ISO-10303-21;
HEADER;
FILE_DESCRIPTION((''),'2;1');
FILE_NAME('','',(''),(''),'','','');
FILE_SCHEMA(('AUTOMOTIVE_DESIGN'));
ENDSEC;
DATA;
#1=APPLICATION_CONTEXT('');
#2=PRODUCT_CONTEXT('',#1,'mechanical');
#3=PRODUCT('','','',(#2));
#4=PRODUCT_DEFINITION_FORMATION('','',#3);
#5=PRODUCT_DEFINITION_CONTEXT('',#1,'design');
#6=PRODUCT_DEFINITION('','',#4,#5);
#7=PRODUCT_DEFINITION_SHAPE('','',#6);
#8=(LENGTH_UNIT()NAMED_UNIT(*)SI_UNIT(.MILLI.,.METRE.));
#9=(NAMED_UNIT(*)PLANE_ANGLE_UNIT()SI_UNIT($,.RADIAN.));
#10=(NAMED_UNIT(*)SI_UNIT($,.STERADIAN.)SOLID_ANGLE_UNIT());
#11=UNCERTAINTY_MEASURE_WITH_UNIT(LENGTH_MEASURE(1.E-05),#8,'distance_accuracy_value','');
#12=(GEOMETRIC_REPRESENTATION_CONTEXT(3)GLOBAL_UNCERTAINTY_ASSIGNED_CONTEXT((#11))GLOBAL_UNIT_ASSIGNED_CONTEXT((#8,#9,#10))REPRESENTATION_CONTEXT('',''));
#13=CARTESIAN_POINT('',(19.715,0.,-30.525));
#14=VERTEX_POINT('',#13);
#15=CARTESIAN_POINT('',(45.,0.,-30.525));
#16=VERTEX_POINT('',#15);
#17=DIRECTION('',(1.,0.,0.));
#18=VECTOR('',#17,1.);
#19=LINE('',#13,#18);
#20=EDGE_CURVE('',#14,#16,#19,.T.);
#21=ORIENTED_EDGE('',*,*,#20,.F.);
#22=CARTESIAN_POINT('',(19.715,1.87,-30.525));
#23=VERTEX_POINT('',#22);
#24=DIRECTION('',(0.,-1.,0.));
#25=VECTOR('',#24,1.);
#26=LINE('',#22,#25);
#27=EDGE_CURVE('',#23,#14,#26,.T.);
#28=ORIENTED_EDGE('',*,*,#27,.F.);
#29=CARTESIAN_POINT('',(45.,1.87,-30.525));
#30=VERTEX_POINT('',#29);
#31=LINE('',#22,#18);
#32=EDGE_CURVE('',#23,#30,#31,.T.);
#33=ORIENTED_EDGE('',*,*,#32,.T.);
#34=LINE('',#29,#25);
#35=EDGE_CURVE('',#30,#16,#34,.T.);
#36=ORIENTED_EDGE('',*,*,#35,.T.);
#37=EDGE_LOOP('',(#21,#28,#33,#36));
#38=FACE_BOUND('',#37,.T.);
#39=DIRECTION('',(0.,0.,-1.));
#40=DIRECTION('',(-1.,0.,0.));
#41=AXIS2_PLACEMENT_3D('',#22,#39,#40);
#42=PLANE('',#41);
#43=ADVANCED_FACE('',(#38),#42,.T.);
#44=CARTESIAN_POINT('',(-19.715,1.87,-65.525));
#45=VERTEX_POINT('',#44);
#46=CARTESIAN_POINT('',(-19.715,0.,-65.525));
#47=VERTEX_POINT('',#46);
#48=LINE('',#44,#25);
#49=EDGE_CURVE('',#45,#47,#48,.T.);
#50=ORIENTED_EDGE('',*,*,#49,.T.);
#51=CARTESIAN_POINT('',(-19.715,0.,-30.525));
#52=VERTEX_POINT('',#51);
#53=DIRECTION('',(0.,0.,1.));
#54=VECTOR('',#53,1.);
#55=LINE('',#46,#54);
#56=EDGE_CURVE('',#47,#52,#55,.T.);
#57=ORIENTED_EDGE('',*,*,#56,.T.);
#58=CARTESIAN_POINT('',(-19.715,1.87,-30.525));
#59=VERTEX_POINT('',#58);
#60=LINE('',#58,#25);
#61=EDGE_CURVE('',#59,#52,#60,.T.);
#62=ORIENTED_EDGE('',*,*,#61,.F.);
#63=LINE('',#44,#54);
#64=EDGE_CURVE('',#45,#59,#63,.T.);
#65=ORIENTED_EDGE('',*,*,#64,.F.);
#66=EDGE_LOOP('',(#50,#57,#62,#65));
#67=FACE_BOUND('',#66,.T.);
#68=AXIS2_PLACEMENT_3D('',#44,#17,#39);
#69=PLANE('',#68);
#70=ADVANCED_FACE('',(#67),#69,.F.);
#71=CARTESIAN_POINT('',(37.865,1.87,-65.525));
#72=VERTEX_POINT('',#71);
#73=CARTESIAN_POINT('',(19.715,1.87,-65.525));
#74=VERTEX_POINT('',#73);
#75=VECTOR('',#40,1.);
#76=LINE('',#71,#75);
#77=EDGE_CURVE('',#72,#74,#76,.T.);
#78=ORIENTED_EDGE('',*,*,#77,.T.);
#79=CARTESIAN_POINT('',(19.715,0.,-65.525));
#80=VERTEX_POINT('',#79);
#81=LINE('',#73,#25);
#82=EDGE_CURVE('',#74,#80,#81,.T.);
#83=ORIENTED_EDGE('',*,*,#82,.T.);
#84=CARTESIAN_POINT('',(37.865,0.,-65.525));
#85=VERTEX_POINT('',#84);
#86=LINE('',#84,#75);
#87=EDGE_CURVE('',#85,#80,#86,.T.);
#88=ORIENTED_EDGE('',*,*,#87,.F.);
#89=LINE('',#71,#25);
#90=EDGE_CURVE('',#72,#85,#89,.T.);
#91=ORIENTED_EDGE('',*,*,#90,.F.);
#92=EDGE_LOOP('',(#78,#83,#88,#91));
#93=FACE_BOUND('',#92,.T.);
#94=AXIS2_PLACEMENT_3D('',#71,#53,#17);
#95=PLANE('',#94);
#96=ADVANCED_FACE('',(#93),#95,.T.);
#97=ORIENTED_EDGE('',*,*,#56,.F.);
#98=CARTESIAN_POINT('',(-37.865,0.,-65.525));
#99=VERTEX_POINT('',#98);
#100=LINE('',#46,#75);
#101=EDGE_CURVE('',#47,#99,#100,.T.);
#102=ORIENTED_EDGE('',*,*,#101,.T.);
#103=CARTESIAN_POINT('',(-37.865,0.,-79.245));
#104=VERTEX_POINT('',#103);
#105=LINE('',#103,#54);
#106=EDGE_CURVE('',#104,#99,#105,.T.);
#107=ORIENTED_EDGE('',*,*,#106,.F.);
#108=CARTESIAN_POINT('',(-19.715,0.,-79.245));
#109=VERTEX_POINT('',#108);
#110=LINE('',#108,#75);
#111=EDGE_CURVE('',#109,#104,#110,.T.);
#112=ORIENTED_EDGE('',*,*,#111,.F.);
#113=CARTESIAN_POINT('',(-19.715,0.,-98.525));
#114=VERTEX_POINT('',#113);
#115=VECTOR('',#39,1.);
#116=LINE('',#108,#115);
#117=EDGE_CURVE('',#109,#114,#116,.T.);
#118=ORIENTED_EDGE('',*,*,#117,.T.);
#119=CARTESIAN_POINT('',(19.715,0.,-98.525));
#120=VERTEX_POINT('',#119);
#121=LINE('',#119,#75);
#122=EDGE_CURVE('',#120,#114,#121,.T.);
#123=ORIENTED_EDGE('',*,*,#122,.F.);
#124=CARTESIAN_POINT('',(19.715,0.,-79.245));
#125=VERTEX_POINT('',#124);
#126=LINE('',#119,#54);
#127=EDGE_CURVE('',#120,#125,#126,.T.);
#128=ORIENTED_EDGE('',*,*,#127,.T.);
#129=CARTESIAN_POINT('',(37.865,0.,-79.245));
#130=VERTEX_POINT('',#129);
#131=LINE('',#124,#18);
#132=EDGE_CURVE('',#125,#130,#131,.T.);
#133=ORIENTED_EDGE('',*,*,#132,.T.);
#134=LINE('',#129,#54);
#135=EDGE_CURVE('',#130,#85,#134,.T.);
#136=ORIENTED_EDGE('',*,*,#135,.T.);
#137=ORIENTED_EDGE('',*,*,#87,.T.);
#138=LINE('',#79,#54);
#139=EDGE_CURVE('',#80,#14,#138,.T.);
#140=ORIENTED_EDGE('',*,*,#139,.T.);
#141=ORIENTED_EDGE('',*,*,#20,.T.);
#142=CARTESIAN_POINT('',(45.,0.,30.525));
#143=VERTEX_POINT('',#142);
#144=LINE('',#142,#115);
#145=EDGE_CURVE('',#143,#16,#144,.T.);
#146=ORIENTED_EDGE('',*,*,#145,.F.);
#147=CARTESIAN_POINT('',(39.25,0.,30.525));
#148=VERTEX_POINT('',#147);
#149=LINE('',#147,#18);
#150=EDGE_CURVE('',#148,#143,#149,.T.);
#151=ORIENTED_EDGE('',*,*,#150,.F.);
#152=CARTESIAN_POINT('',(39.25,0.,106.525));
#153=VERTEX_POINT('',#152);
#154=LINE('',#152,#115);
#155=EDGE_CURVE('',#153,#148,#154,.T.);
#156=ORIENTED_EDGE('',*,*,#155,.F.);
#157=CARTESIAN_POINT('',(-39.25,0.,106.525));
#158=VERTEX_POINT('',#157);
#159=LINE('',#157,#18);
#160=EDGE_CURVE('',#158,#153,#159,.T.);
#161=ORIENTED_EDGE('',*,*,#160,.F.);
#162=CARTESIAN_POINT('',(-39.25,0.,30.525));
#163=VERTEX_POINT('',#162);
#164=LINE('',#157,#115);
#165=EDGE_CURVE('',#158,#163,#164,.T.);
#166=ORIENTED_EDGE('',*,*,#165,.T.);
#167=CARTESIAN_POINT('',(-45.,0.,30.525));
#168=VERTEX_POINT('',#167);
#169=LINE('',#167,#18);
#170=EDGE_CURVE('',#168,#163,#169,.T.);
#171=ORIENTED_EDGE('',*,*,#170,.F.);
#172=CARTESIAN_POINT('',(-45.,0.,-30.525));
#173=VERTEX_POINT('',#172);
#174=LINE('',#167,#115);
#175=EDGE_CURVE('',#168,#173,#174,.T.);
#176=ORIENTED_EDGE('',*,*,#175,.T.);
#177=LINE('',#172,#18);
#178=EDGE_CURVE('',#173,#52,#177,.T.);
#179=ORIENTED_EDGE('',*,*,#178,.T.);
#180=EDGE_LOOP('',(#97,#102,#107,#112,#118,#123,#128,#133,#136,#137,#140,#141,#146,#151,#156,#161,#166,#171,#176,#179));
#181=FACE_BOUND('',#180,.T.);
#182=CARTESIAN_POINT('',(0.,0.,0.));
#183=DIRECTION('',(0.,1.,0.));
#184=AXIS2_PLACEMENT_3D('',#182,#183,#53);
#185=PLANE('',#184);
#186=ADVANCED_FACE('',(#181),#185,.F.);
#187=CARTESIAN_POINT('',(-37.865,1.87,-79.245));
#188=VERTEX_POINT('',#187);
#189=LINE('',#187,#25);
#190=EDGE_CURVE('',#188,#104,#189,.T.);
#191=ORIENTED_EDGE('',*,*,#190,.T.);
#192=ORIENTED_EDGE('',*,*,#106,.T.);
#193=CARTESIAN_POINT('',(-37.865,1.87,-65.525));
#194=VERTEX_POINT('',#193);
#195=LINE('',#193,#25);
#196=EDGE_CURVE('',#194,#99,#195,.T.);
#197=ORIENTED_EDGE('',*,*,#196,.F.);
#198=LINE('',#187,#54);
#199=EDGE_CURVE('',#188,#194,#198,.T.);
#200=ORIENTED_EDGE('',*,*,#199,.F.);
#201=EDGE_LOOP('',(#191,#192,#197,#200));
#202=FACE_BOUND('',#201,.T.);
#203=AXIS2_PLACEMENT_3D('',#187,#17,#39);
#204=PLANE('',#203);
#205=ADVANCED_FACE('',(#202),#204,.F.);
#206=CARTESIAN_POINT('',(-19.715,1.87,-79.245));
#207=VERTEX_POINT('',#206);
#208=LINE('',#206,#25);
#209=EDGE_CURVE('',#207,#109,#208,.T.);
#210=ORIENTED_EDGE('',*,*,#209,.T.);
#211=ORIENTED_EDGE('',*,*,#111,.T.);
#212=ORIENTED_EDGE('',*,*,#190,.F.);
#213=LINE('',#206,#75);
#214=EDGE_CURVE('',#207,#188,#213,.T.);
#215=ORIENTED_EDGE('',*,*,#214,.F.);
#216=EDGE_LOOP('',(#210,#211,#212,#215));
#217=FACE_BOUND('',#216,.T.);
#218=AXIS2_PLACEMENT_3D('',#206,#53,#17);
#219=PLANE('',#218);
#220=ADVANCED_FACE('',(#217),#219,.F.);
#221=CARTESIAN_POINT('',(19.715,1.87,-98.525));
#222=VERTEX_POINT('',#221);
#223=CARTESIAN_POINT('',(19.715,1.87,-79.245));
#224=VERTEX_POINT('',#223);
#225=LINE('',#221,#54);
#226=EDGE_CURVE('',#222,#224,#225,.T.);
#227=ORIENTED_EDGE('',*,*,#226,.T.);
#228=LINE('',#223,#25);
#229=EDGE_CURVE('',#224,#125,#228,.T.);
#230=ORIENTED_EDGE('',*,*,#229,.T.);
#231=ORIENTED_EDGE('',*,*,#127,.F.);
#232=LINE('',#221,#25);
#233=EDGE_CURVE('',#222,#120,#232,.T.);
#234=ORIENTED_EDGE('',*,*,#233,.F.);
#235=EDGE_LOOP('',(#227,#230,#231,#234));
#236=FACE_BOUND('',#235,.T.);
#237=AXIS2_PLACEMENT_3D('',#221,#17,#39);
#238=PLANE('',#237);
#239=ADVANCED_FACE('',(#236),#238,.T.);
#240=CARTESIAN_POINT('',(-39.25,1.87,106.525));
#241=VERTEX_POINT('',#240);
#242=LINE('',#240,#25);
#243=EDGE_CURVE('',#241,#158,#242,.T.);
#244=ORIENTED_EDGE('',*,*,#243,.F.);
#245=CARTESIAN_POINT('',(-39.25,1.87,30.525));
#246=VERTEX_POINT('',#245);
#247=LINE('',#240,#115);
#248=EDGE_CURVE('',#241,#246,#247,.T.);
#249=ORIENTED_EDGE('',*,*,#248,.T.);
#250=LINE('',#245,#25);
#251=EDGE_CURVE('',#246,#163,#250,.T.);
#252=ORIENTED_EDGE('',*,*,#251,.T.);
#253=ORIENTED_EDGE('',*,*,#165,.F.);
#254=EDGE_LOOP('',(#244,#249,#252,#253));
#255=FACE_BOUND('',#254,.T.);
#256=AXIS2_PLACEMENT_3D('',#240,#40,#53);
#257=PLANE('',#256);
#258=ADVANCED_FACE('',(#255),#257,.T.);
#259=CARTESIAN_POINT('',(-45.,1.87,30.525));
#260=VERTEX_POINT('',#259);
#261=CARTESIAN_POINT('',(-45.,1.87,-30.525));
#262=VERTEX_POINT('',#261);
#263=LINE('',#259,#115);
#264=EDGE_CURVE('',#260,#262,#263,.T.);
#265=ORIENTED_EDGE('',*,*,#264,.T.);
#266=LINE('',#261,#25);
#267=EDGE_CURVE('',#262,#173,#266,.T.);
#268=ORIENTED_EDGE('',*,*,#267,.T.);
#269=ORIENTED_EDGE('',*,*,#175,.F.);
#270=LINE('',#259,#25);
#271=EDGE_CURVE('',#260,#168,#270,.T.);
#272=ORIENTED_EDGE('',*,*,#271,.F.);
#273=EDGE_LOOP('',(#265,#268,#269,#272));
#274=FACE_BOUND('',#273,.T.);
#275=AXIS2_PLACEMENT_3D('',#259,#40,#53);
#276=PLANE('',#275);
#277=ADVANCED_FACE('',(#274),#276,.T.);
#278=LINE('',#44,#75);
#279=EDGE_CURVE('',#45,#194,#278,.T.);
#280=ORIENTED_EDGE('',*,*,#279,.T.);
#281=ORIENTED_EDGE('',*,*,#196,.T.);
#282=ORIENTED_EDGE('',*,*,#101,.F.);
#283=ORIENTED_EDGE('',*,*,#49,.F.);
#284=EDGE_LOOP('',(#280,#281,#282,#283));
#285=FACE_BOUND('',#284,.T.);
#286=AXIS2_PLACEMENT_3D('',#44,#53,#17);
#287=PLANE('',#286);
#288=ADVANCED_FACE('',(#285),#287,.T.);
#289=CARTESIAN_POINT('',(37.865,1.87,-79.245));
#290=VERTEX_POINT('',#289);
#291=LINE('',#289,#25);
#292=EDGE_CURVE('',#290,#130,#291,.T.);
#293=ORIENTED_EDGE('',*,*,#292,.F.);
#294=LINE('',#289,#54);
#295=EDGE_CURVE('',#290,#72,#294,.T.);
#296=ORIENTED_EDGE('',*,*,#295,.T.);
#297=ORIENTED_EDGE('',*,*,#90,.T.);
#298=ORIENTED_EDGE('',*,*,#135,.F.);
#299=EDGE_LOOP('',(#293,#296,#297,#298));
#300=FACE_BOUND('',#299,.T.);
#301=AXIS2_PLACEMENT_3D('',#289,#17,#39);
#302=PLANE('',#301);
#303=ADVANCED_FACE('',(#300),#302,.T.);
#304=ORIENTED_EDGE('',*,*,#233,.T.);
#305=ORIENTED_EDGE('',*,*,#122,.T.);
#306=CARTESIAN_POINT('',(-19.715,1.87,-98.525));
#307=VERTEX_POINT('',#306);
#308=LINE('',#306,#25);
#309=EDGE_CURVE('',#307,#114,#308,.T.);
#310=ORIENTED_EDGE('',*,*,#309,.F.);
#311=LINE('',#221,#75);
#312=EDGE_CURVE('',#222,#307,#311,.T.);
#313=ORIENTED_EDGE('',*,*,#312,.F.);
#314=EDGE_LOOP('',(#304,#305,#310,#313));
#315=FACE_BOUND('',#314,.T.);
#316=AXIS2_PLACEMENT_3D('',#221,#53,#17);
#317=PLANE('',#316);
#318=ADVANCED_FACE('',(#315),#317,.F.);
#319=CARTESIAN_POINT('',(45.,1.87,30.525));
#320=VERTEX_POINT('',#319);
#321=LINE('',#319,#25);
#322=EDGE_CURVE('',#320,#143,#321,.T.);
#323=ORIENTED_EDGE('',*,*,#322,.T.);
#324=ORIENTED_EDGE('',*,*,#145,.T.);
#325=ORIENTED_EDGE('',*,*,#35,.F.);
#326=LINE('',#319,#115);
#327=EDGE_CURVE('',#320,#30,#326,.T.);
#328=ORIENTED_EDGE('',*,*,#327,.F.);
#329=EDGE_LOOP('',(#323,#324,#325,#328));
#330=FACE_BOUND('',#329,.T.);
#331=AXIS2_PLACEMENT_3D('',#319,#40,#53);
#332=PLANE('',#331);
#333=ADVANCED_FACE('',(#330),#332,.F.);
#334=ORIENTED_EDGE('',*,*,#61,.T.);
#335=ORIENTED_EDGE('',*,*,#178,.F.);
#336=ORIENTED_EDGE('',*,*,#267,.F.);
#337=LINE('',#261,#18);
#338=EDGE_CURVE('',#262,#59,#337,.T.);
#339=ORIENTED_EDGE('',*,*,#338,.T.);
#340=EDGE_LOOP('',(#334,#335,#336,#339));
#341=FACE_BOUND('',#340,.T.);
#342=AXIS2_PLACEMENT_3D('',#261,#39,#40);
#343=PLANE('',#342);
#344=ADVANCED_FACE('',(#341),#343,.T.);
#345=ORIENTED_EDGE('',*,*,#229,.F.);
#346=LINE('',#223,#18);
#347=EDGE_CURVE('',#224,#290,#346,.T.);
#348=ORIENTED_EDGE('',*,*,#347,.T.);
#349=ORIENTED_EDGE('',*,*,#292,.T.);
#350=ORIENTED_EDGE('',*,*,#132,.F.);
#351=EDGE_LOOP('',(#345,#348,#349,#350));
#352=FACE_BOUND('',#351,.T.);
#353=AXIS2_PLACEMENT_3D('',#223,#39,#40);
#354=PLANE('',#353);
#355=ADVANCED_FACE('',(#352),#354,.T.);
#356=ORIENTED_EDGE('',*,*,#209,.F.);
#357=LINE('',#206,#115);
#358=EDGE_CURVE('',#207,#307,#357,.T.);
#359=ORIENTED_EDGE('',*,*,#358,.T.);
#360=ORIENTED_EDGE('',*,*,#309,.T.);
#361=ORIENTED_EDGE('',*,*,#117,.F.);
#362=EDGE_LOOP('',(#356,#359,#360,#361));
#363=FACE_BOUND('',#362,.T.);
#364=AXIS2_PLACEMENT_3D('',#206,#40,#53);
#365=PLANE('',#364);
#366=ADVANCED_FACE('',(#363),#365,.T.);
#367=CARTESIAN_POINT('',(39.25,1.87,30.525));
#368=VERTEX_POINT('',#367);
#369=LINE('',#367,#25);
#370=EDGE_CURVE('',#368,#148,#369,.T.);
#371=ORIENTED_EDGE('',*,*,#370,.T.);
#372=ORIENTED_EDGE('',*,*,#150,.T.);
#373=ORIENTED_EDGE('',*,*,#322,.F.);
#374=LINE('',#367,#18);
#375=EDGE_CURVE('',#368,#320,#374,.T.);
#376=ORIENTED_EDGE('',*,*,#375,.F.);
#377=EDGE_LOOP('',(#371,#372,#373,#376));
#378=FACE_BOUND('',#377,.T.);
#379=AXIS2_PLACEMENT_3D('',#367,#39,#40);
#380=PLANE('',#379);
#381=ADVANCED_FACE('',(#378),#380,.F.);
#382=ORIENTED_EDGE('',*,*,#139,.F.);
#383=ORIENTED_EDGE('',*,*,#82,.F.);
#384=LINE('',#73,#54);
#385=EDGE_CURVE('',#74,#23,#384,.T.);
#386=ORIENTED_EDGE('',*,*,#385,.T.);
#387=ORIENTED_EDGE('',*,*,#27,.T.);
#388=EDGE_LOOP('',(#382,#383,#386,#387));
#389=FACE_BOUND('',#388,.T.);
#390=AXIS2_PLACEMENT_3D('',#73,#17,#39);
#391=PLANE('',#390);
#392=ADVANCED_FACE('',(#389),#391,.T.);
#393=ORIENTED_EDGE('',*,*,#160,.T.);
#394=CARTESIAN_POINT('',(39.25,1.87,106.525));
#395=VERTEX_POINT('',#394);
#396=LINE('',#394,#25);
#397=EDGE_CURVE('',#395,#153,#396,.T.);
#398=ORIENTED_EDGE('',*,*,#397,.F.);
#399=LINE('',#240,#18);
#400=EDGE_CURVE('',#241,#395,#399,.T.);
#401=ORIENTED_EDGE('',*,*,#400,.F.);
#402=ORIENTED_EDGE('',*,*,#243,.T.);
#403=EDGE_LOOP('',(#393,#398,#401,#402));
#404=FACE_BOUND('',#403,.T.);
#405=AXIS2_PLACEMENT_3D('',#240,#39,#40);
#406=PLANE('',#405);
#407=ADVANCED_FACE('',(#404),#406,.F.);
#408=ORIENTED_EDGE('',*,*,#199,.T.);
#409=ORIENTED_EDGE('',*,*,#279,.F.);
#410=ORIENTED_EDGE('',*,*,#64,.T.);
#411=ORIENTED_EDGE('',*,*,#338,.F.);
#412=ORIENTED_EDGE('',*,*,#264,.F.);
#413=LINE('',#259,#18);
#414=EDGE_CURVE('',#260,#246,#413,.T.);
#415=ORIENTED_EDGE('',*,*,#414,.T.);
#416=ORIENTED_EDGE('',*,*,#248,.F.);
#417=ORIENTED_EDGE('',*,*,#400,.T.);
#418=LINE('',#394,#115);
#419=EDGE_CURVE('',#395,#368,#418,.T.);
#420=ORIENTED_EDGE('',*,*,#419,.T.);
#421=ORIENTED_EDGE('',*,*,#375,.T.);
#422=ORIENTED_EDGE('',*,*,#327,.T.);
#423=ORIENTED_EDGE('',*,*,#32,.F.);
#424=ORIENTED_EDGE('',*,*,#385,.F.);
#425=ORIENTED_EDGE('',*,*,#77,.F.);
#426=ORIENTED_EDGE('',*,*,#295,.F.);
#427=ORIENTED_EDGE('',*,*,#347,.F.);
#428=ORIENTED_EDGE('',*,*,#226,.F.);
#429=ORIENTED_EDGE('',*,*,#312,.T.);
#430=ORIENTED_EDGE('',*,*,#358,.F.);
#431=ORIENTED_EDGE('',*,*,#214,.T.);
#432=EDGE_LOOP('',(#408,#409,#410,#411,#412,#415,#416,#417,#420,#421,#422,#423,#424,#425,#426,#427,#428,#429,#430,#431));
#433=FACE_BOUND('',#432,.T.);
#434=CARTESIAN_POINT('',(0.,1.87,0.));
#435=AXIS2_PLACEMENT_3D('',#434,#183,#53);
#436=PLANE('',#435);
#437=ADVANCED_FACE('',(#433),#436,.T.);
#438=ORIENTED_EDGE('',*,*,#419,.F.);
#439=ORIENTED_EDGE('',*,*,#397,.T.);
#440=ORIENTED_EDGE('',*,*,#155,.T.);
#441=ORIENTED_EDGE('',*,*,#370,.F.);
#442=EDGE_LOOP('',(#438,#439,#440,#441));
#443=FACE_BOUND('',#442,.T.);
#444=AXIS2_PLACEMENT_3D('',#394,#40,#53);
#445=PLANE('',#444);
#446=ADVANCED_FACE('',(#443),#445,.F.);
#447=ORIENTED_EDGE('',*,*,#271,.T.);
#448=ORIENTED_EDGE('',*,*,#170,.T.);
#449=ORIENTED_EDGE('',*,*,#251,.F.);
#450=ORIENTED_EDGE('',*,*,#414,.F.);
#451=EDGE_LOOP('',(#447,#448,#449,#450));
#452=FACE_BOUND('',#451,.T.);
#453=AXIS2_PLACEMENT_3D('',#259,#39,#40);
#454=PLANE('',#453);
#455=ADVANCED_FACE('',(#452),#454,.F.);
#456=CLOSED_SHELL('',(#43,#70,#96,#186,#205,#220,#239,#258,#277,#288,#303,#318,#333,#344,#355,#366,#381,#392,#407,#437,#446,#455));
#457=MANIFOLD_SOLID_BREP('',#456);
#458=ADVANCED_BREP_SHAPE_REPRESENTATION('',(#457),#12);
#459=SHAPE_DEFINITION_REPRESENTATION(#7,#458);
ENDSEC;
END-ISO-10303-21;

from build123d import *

# Parameters (mm, degrees)
BOSS_EXTRU_6_DEPTH = 1.87


with BuildPart() as part:
    # Esquisse1 → Boss.-Extru.6 (new body)
    with BuildSketch(Plane(origin=(0, 0, 0), x_dir=(1, 0, 0), z_dir=(0, 1, 0))):
        Polygon((45, -30.525), (45, 30.525), (19.715, 30.525), (19.715, 65.525), (37.865, 65.525), (37.865, 79.245), (19.715, 79.245), (19.715, 98.525), (-19.715, 98.525), (-19.715, 79.245), (-37.865, 79.245), (-37.865, 65.525), (-19.715, 65.525), (-19.715, 30.525), (-45, 30.525), (-45, -30.525), (-39.25, -30.525), (-39.25, -106.525), (39.25, -106.525), (39.25, -30.525), align=None)
    extrude(amount=BOSS_EXTRU_6_DEPTH)


solid = part.part
